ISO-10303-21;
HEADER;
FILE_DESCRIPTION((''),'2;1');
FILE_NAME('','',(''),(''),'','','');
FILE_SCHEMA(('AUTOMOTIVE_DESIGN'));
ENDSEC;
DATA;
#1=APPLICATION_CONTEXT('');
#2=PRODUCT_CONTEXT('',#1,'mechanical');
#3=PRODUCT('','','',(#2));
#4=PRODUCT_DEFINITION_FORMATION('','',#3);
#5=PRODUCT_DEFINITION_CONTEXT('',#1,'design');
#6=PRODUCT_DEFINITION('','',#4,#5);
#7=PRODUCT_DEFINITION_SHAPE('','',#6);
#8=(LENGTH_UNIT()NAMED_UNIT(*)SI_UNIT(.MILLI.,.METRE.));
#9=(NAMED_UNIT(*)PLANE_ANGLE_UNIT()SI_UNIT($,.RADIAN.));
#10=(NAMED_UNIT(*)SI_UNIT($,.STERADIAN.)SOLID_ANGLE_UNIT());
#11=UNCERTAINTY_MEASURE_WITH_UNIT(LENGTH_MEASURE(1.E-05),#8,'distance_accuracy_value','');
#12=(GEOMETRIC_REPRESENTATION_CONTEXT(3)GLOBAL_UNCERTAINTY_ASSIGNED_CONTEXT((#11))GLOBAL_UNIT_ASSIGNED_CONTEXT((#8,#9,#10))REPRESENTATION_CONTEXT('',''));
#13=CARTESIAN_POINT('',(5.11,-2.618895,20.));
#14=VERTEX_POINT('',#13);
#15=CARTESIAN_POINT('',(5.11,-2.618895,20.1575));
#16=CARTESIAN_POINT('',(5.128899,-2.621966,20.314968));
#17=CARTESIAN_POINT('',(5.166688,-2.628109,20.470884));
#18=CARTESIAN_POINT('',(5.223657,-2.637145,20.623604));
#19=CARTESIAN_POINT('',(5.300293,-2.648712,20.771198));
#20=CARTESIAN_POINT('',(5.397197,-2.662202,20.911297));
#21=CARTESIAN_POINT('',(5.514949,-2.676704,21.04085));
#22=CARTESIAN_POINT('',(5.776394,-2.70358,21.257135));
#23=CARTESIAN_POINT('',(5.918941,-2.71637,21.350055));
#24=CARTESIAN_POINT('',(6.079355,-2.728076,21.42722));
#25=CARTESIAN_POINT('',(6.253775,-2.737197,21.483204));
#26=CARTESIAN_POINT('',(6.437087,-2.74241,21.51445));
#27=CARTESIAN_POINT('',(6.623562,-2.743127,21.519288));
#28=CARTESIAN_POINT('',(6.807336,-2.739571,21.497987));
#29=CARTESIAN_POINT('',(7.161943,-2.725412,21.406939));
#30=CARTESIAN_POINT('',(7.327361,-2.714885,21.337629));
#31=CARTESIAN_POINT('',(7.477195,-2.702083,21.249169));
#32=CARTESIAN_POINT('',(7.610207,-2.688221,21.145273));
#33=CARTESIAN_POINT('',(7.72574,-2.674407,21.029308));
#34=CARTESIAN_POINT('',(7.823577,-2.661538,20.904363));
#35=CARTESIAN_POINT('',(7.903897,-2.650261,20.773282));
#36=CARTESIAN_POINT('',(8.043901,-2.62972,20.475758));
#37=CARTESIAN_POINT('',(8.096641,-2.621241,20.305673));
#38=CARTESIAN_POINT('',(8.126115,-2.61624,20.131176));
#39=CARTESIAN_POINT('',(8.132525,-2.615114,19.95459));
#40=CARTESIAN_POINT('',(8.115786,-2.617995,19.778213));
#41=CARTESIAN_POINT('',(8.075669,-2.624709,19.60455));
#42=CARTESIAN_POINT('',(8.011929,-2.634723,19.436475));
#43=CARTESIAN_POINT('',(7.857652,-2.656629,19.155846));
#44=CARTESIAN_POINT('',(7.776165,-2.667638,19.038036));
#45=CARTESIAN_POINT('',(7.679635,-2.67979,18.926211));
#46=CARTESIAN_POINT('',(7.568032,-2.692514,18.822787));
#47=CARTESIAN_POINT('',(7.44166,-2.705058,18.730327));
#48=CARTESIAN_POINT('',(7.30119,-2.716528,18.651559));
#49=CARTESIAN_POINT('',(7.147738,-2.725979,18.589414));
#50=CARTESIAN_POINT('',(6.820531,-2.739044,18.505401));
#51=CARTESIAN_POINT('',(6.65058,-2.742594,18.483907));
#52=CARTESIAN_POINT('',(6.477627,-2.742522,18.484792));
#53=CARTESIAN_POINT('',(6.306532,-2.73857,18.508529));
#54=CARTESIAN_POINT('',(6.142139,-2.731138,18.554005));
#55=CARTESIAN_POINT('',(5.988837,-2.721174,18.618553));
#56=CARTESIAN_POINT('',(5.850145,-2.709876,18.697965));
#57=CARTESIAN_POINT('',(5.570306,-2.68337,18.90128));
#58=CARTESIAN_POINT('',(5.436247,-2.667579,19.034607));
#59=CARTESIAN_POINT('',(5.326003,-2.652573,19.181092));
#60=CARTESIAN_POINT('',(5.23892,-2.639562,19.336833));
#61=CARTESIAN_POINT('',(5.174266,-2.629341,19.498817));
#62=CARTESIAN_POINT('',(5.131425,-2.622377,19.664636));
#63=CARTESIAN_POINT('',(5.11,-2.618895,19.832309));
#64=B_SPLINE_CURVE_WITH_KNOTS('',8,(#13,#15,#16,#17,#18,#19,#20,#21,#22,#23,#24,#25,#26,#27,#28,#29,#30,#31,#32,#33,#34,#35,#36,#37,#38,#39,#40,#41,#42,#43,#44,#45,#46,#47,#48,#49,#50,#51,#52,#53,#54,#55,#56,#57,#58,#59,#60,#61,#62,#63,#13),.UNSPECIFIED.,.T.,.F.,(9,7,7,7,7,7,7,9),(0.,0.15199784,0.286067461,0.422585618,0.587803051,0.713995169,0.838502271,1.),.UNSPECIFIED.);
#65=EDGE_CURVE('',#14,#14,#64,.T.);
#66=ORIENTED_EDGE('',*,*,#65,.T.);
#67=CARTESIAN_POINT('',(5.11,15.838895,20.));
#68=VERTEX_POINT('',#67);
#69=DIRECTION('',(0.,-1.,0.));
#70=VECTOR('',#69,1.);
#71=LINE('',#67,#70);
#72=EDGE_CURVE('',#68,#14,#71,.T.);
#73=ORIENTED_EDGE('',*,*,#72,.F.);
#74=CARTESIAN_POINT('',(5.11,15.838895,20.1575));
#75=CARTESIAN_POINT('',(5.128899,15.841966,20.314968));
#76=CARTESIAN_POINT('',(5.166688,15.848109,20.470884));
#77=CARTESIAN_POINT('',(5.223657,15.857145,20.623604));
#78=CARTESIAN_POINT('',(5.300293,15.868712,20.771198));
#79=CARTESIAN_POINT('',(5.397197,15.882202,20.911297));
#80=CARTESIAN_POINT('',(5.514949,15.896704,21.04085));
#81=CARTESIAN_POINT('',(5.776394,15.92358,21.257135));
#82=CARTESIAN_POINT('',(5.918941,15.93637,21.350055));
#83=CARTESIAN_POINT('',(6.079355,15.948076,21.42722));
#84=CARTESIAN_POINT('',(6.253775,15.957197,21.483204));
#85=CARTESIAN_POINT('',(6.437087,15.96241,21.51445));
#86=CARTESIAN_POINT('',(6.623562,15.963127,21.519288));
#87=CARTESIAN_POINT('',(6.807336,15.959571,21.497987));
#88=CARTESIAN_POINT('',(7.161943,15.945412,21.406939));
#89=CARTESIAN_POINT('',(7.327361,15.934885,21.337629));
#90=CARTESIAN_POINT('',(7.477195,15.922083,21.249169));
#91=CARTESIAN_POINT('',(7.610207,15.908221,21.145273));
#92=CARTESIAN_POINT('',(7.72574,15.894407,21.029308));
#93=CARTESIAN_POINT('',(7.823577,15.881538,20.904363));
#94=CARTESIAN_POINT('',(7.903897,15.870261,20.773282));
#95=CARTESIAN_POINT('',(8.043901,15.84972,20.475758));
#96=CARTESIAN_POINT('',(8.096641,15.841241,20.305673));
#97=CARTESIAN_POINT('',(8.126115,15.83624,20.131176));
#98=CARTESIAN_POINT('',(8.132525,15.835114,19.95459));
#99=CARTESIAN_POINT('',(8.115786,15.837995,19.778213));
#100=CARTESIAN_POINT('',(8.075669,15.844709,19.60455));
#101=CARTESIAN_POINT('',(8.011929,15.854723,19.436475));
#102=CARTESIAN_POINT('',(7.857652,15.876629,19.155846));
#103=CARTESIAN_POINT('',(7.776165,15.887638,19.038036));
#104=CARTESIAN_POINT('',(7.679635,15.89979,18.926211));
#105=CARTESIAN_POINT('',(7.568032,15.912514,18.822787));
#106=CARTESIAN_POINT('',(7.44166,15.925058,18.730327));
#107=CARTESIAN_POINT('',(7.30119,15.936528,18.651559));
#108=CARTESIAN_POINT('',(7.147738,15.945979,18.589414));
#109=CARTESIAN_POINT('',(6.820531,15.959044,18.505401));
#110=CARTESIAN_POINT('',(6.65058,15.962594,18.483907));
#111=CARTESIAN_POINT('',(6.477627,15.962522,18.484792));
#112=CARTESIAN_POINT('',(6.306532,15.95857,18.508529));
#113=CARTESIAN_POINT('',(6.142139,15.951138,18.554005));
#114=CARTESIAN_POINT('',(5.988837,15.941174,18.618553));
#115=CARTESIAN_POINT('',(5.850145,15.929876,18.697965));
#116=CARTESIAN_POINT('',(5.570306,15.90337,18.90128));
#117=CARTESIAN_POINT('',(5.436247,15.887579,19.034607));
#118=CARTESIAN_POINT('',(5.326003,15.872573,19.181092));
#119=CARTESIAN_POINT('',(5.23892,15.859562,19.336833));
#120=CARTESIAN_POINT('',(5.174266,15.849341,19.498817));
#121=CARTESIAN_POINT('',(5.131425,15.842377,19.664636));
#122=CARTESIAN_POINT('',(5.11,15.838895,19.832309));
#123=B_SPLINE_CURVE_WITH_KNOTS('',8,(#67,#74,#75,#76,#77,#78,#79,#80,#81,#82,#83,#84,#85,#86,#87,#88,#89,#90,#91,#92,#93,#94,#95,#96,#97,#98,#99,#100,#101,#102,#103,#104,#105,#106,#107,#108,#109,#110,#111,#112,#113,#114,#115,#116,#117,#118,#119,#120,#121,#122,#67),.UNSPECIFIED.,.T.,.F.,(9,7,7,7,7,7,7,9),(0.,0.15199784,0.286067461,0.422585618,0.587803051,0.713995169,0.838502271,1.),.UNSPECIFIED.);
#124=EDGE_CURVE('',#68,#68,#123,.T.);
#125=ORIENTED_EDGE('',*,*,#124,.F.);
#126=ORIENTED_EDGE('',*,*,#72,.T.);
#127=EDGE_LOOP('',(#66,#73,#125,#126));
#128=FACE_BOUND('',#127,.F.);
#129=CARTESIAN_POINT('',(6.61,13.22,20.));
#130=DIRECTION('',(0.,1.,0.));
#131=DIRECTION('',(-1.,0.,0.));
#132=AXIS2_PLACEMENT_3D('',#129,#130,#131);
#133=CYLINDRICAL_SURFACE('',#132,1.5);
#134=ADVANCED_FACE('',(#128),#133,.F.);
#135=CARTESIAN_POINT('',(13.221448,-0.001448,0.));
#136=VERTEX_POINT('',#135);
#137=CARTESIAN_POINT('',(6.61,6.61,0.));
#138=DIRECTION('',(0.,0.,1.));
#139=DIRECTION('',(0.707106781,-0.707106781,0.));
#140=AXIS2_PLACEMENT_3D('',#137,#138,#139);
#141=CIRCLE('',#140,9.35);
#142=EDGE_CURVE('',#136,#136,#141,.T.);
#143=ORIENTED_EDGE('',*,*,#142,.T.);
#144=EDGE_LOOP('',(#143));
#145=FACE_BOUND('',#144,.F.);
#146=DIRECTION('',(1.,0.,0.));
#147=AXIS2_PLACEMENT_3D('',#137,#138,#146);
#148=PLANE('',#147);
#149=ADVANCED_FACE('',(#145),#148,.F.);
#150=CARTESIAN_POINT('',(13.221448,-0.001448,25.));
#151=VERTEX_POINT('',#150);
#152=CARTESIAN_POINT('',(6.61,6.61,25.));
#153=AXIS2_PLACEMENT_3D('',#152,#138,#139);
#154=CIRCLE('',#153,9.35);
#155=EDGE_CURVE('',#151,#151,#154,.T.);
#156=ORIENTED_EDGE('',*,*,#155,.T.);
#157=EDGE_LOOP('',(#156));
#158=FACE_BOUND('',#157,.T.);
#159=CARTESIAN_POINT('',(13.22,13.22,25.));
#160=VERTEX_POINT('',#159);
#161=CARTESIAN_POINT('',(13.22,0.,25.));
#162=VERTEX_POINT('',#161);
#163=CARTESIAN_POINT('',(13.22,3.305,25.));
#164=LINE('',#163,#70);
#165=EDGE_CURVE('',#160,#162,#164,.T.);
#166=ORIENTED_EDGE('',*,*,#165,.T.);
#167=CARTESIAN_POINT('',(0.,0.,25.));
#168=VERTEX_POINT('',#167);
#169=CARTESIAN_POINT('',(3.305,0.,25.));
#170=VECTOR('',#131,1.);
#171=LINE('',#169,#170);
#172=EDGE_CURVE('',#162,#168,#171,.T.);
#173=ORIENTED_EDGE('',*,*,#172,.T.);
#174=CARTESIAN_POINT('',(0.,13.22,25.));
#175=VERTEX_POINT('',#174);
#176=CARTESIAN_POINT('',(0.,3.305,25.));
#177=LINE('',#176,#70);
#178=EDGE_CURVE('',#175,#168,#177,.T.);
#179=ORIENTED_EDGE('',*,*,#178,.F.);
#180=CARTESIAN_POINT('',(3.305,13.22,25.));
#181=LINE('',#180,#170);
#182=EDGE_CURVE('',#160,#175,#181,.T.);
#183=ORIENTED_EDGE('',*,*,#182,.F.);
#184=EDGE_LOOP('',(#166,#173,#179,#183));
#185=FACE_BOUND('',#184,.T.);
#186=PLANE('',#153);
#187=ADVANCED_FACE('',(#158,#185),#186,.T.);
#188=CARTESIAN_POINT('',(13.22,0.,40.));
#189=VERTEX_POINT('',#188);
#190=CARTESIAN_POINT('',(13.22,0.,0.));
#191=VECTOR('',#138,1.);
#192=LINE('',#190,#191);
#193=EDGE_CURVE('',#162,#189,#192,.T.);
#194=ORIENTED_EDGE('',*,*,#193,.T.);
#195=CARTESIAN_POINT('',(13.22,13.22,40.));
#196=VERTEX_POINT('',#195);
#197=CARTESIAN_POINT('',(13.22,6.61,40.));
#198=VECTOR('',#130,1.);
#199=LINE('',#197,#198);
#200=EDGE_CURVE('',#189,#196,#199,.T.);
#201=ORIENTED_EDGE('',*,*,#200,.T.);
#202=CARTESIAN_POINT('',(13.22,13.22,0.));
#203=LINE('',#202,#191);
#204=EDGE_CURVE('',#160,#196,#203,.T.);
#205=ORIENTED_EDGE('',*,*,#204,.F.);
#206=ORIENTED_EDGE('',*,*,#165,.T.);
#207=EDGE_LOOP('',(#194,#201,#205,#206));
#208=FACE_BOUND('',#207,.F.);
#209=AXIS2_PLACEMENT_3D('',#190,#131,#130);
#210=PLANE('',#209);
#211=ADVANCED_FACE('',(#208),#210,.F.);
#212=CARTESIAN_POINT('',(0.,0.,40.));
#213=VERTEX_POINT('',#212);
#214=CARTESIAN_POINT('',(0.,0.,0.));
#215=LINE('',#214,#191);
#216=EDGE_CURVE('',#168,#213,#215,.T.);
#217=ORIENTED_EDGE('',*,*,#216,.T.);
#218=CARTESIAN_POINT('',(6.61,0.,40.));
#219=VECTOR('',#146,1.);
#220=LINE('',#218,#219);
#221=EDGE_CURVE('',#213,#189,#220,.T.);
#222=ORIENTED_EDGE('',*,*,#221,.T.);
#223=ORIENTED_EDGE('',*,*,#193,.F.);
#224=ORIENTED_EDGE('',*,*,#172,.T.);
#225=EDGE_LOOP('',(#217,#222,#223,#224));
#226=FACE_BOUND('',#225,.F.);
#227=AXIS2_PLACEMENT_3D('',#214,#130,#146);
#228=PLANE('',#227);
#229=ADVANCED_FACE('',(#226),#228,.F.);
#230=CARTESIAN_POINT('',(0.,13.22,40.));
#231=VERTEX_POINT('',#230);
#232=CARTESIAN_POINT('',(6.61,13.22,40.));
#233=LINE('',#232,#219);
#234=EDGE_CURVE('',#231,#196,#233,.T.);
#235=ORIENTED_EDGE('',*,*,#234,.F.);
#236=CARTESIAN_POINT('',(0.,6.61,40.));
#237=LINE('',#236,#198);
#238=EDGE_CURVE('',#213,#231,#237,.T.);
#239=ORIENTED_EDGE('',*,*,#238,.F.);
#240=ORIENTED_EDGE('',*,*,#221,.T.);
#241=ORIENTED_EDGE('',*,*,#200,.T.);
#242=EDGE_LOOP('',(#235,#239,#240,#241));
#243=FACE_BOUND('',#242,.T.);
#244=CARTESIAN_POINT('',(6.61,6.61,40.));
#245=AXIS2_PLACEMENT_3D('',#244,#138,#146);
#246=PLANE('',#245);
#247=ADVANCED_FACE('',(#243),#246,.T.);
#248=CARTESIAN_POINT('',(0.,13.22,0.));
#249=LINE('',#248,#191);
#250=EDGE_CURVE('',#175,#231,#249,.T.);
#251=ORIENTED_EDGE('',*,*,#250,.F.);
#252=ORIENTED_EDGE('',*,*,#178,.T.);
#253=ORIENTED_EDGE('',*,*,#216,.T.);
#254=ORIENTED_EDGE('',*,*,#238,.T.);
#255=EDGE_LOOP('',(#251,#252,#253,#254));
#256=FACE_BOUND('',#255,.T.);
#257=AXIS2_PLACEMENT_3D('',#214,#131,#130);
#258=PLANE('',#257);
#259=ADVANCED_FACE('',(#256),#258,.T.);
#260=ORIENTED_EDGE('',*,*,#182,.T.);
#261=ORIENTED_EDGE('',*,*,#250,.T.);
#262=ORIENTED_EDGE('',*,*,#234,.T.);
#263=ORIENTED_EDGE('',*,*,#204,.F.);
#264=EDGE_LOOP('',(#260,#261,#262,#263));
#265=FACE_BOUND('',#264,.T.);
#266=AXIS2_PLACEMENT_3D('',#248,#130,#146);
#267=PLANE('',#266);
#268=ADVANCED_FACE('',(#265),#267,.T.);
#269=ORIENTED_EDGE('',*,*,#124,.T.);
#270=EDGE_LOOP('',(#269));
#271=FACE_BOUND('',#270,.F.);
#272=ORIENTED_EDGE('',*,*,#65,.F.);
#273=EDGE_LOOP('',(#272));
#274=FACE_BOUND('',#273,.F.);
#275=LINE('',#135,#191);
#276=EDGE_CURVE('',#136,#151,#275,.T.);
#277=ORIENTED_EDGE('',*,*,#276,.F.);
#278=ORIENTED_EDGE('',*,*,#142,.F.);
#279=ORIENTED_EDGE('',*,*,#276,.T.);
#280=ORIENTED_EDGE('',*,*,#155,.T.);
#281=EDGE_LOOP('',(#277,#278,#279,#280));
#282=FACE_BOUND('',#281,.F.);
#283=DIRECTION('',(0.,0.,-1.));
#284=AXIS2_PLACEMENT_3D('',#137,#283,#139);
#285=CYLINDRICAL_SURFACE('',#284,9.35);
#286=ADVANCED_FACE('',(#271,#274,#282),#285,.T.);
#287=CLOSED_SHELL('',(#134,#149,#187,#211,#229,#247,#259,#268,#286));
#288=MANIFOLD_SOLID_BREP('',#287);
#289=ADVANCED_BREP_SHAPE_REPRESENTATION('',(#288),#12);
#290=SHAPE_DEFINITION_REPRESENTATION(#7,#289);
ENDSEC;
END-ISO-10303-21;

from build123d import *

# Parameters (mm, degrees)
BOX_W                    = 13.22
BOX_H                    = 13.22
BOX_DEPTH                = 40
CYLINDER_R               = 9.35
CYLINDER_DEPTH           = 25
CYLINDER_PLACEMENT_ANGLE = 315
SKETCH_R                 = 1.5
POCKET_DEPTH             = 2.741
POCKET_DEPTH_BACK        = 15.961


with BuildPart() as cube:
    # Box → Box (new body)
    with BuildSketch(Plane.XY):
        with Locations((6.61, 6.61)):
            Rectangle(BOX_W, BOX_H)
    extrude(amount=BOX_DEPTH)


with BuildPart() as body:
    # Cylinder → Cylinder (new body)
    with BuildSketch(Plane.XY):
        Circle(CYLINDER_R)
    extrude(amount=CYLINDER_DEPTH)


with BuildPart() as body_1:
    # Cylinder placement: moved
    add(body.part.moved(Location((6.61, 6.61, 0))).rotate(Axis((6.61, 6.61, 0), (0, 0, 1)), CYLINDER_PLACEMENT_ANGLE))

    # Fusion: union Cube
    add(cube.part)

    # Sketch (on Face6 of Fusion) → Pocket (cut, two sides)
    with BuildSketch(Plane(origin=(0, 13.22, 0), x_dir=(-1, 0, 0), z_dir=(0, 1, 0))) as pocket_sk:
        with Locations((-6.61, 20)):
            Circle(SKETCH_R)
    extrude(amount=POCKET_DEPTH, mode=Mode.SUBTRACT)
    extrude(pocket_sk.sketch, amount=-POCKET_DEPTH_BACK, mode=Mode.SUBTRACT)


solid = body_1.part
